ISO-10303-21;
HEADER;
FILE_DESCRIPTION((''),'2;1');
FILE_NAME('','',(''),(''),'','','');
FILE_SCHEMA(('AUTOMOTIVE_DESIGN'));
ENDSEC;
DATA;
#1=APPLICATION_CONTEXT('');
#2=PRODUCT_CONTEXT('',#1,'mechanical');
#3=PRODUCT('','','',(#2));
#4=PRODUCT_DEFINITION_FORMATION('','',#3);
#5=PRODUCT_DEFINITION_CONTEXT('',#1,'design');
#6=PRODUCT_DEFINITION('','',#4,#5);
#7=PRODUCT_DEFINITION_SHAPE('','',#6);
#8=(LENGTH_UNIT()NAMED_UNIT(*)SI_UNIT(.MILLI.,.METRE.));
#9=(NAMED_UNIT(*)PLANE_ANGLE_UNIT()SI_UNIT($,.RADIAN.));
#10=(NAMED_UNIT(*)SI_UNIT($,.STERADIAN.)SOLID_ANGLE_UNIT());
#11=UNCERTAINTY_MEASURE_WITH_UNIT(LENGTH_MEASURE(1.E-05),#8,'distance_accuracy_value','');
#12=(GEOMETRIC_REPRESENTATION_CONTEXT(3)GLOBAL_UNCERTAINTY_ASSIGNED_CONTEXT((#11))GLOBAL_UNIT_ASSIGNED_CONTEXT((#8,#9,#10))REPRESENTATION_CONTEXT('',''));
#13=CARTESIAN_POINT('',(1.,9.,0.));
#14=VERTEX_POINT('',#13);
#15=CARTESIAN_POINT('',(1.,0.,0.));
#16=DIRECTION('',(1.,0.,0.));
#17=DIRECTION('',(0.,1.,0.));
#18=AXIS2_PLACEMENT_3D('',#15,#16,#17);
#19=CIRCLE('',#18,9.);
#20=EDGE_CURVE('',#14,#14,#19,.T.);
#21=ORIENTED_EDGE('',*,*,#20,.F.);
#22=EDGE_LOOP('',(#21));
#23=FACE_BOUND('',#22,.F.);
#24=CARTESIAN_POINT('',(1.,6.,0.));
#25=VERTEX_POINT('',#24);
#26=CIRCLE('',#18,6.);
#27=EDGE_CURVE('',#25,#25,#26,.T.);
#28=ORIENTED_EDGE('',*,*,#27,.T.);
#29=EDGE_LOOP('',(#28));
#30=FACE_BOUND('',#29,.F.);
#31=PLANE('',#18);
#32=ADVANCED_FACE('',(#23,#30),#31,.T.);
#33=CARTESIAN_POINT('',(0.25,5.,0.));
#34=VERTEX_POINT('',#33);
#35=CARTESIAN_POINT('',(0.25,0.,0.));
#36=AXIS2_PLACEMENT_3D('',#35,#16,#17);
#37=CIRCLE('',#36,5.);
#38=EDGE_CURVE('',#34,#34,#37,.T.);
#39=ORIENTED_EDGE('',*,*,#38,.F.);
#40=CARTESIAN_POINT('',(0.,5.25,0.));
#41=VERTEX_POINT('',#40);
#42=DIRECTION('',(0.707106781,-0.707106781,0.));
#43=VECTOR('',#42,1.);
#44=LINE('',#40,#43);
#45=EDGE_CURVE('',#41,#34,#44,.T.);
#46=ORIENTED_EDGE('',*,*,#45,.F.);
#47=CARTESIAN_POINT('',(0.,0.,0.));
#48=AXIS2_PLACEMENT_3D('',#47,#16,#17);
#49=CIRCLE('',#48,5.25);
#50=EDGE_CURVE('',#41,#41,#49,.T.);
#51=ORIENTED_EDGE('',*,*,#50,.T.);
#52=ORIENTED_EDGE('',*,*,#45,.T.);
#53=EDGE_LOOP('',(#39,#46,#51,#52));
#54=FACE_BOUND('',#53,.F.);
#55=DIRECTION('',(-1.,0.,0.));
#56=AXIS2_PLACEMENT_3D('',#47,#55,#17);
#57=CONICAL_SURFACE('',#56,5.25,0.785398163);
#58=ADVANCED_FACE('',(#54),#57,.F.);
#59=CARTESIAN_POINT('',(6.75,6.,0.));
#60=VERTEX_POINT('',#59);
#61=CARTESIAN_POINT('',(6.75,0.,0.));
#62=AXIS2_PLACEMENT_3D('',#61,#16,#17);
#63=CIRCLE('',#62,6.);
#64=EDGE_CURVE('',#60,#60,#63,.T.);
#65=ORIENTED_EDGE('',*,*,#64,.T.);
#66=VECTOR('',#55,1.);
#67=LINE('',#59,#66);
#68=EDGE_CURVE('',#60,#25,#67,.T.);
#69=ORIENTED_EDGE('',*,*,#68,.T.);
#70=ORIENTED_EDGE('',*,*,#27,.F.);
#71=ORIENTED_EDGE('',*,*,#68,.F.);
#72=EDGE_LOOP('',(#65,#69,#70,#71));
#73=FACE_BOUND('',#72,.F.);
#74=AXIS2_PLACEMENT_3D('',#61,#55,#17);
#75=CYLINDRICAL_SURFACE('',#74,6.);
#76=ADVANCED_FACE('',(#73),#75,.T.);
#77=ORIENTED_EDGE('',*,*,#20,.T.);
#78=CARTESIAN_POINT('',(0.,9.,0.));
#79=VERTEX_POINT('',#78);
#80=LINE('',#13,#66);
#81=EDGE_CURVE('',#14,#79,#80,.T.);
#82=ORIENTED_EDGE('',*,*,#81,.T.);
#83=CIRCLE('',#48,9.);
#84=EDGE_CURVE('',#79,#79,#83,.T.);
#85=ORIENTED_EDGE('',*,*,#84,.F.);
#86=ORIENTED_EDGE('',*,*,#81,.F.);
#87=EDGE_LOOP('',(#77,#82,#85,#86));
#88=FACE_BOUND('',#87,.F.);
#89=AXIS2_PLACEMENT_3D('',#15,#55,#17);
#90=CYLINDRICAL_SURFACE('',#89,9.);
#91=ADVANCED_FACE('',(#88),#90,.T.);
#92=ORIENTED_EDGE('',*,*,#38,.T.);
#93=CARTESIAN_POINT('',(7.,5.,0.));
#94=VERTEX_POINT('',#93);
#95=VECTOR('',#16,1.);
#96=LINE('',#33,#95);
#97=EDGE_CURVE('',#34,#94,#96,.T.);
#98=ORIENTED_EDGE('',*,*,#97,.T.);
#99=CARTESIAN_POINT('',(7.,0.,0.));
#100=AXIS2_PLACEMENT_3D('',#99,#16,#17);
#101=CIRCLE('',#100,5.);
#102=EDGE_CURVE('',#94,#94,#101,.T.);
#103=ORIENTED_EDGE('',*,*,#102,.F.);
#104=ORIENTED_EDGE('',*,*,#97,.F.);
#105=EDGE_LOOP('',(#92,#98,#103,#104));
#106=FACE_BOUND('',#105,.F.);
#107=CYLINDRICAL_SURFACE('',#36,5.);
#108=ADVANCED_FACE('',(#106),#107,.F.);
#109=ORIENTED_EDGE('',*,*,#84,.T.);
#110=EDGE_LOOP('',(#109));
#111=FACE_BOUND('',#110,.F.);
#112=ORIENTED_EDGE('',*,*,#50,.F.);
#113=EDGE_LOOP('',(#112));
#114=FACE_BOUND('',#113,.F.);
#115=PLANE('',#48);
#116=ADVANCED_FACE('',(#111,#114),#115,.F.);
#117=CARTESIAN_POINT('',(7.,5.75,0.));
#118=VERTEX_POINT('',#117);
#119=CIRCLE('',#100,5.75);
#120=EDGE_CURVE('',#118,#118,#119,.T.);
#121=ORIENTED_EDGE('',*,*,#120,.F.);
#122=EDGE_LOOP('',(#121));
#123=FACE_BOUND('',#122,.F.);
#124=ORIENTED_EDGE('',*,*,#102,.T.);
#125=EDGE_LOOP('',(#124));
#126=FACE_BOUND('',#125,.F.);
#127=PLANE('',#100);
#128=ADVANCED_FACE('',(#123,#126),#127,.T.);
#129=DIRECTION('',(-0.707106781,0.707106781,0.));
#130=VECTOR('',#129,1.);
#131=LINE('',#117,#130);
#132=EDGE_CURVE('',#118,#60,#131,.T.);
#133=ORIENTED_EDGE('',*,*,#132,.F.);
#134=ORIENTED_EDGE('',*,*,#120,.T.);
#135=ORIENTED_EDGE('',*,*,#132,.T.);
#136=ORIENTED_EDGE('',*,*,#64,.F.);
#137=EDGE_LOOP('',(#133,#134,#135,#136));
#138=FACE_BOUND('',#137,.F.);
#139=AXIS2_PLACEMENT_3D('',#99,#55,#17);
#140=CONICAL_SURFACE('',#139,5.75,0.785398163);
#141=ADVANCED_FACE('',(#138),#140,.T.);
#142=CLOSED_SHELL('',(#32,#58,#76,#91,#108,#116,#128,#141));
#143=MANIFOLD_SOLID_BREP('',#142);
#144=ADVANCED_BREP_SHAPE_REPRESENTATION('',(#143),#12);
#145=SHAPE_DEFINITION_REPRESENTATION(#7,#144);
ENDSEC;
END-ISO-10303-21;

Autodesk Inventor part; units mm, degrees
ref_plane "YZ Plane" through (0, 0, 0) normal (1, 0, 0) x (0, 1, 0)
ref_plane "XZ Plane" through (0, 0, 0) normal (0, 1, 0) x (-1, 0, 0)
ref_plane "XY Plane" through (0, 0, 0) normal (0, 0, 1) x (1, 0, 0)
sketch "Sketch_1" plane through (0, 0, 0) normal (0, 0, 1) x (1, 0, 0)
  line L0 (7, 0) -> (0, 0)
  line L1 (0, 9) -> (0, 5.25)
  line L2 (0, 5.25) -> (0.25, 5)
  line L3 (0.25, 5) -> (7, 5)
  line L4 (7, 5) -> (7, 5.75)
  line L5 (7, 5.75) -> (6.75, 6)
  line L6 (6.75, 6) -> (1, 6)
  line L7 (1, 6) -> (1, 9)
  line L8 (1, 9) -> (0, 9)
revolve "Revolution1" add sketch "Sketch_1" angle 360 about axis through (7, 0, 0) along (1, 0, 0)
properties part number "SKF_PPMF 101207"
